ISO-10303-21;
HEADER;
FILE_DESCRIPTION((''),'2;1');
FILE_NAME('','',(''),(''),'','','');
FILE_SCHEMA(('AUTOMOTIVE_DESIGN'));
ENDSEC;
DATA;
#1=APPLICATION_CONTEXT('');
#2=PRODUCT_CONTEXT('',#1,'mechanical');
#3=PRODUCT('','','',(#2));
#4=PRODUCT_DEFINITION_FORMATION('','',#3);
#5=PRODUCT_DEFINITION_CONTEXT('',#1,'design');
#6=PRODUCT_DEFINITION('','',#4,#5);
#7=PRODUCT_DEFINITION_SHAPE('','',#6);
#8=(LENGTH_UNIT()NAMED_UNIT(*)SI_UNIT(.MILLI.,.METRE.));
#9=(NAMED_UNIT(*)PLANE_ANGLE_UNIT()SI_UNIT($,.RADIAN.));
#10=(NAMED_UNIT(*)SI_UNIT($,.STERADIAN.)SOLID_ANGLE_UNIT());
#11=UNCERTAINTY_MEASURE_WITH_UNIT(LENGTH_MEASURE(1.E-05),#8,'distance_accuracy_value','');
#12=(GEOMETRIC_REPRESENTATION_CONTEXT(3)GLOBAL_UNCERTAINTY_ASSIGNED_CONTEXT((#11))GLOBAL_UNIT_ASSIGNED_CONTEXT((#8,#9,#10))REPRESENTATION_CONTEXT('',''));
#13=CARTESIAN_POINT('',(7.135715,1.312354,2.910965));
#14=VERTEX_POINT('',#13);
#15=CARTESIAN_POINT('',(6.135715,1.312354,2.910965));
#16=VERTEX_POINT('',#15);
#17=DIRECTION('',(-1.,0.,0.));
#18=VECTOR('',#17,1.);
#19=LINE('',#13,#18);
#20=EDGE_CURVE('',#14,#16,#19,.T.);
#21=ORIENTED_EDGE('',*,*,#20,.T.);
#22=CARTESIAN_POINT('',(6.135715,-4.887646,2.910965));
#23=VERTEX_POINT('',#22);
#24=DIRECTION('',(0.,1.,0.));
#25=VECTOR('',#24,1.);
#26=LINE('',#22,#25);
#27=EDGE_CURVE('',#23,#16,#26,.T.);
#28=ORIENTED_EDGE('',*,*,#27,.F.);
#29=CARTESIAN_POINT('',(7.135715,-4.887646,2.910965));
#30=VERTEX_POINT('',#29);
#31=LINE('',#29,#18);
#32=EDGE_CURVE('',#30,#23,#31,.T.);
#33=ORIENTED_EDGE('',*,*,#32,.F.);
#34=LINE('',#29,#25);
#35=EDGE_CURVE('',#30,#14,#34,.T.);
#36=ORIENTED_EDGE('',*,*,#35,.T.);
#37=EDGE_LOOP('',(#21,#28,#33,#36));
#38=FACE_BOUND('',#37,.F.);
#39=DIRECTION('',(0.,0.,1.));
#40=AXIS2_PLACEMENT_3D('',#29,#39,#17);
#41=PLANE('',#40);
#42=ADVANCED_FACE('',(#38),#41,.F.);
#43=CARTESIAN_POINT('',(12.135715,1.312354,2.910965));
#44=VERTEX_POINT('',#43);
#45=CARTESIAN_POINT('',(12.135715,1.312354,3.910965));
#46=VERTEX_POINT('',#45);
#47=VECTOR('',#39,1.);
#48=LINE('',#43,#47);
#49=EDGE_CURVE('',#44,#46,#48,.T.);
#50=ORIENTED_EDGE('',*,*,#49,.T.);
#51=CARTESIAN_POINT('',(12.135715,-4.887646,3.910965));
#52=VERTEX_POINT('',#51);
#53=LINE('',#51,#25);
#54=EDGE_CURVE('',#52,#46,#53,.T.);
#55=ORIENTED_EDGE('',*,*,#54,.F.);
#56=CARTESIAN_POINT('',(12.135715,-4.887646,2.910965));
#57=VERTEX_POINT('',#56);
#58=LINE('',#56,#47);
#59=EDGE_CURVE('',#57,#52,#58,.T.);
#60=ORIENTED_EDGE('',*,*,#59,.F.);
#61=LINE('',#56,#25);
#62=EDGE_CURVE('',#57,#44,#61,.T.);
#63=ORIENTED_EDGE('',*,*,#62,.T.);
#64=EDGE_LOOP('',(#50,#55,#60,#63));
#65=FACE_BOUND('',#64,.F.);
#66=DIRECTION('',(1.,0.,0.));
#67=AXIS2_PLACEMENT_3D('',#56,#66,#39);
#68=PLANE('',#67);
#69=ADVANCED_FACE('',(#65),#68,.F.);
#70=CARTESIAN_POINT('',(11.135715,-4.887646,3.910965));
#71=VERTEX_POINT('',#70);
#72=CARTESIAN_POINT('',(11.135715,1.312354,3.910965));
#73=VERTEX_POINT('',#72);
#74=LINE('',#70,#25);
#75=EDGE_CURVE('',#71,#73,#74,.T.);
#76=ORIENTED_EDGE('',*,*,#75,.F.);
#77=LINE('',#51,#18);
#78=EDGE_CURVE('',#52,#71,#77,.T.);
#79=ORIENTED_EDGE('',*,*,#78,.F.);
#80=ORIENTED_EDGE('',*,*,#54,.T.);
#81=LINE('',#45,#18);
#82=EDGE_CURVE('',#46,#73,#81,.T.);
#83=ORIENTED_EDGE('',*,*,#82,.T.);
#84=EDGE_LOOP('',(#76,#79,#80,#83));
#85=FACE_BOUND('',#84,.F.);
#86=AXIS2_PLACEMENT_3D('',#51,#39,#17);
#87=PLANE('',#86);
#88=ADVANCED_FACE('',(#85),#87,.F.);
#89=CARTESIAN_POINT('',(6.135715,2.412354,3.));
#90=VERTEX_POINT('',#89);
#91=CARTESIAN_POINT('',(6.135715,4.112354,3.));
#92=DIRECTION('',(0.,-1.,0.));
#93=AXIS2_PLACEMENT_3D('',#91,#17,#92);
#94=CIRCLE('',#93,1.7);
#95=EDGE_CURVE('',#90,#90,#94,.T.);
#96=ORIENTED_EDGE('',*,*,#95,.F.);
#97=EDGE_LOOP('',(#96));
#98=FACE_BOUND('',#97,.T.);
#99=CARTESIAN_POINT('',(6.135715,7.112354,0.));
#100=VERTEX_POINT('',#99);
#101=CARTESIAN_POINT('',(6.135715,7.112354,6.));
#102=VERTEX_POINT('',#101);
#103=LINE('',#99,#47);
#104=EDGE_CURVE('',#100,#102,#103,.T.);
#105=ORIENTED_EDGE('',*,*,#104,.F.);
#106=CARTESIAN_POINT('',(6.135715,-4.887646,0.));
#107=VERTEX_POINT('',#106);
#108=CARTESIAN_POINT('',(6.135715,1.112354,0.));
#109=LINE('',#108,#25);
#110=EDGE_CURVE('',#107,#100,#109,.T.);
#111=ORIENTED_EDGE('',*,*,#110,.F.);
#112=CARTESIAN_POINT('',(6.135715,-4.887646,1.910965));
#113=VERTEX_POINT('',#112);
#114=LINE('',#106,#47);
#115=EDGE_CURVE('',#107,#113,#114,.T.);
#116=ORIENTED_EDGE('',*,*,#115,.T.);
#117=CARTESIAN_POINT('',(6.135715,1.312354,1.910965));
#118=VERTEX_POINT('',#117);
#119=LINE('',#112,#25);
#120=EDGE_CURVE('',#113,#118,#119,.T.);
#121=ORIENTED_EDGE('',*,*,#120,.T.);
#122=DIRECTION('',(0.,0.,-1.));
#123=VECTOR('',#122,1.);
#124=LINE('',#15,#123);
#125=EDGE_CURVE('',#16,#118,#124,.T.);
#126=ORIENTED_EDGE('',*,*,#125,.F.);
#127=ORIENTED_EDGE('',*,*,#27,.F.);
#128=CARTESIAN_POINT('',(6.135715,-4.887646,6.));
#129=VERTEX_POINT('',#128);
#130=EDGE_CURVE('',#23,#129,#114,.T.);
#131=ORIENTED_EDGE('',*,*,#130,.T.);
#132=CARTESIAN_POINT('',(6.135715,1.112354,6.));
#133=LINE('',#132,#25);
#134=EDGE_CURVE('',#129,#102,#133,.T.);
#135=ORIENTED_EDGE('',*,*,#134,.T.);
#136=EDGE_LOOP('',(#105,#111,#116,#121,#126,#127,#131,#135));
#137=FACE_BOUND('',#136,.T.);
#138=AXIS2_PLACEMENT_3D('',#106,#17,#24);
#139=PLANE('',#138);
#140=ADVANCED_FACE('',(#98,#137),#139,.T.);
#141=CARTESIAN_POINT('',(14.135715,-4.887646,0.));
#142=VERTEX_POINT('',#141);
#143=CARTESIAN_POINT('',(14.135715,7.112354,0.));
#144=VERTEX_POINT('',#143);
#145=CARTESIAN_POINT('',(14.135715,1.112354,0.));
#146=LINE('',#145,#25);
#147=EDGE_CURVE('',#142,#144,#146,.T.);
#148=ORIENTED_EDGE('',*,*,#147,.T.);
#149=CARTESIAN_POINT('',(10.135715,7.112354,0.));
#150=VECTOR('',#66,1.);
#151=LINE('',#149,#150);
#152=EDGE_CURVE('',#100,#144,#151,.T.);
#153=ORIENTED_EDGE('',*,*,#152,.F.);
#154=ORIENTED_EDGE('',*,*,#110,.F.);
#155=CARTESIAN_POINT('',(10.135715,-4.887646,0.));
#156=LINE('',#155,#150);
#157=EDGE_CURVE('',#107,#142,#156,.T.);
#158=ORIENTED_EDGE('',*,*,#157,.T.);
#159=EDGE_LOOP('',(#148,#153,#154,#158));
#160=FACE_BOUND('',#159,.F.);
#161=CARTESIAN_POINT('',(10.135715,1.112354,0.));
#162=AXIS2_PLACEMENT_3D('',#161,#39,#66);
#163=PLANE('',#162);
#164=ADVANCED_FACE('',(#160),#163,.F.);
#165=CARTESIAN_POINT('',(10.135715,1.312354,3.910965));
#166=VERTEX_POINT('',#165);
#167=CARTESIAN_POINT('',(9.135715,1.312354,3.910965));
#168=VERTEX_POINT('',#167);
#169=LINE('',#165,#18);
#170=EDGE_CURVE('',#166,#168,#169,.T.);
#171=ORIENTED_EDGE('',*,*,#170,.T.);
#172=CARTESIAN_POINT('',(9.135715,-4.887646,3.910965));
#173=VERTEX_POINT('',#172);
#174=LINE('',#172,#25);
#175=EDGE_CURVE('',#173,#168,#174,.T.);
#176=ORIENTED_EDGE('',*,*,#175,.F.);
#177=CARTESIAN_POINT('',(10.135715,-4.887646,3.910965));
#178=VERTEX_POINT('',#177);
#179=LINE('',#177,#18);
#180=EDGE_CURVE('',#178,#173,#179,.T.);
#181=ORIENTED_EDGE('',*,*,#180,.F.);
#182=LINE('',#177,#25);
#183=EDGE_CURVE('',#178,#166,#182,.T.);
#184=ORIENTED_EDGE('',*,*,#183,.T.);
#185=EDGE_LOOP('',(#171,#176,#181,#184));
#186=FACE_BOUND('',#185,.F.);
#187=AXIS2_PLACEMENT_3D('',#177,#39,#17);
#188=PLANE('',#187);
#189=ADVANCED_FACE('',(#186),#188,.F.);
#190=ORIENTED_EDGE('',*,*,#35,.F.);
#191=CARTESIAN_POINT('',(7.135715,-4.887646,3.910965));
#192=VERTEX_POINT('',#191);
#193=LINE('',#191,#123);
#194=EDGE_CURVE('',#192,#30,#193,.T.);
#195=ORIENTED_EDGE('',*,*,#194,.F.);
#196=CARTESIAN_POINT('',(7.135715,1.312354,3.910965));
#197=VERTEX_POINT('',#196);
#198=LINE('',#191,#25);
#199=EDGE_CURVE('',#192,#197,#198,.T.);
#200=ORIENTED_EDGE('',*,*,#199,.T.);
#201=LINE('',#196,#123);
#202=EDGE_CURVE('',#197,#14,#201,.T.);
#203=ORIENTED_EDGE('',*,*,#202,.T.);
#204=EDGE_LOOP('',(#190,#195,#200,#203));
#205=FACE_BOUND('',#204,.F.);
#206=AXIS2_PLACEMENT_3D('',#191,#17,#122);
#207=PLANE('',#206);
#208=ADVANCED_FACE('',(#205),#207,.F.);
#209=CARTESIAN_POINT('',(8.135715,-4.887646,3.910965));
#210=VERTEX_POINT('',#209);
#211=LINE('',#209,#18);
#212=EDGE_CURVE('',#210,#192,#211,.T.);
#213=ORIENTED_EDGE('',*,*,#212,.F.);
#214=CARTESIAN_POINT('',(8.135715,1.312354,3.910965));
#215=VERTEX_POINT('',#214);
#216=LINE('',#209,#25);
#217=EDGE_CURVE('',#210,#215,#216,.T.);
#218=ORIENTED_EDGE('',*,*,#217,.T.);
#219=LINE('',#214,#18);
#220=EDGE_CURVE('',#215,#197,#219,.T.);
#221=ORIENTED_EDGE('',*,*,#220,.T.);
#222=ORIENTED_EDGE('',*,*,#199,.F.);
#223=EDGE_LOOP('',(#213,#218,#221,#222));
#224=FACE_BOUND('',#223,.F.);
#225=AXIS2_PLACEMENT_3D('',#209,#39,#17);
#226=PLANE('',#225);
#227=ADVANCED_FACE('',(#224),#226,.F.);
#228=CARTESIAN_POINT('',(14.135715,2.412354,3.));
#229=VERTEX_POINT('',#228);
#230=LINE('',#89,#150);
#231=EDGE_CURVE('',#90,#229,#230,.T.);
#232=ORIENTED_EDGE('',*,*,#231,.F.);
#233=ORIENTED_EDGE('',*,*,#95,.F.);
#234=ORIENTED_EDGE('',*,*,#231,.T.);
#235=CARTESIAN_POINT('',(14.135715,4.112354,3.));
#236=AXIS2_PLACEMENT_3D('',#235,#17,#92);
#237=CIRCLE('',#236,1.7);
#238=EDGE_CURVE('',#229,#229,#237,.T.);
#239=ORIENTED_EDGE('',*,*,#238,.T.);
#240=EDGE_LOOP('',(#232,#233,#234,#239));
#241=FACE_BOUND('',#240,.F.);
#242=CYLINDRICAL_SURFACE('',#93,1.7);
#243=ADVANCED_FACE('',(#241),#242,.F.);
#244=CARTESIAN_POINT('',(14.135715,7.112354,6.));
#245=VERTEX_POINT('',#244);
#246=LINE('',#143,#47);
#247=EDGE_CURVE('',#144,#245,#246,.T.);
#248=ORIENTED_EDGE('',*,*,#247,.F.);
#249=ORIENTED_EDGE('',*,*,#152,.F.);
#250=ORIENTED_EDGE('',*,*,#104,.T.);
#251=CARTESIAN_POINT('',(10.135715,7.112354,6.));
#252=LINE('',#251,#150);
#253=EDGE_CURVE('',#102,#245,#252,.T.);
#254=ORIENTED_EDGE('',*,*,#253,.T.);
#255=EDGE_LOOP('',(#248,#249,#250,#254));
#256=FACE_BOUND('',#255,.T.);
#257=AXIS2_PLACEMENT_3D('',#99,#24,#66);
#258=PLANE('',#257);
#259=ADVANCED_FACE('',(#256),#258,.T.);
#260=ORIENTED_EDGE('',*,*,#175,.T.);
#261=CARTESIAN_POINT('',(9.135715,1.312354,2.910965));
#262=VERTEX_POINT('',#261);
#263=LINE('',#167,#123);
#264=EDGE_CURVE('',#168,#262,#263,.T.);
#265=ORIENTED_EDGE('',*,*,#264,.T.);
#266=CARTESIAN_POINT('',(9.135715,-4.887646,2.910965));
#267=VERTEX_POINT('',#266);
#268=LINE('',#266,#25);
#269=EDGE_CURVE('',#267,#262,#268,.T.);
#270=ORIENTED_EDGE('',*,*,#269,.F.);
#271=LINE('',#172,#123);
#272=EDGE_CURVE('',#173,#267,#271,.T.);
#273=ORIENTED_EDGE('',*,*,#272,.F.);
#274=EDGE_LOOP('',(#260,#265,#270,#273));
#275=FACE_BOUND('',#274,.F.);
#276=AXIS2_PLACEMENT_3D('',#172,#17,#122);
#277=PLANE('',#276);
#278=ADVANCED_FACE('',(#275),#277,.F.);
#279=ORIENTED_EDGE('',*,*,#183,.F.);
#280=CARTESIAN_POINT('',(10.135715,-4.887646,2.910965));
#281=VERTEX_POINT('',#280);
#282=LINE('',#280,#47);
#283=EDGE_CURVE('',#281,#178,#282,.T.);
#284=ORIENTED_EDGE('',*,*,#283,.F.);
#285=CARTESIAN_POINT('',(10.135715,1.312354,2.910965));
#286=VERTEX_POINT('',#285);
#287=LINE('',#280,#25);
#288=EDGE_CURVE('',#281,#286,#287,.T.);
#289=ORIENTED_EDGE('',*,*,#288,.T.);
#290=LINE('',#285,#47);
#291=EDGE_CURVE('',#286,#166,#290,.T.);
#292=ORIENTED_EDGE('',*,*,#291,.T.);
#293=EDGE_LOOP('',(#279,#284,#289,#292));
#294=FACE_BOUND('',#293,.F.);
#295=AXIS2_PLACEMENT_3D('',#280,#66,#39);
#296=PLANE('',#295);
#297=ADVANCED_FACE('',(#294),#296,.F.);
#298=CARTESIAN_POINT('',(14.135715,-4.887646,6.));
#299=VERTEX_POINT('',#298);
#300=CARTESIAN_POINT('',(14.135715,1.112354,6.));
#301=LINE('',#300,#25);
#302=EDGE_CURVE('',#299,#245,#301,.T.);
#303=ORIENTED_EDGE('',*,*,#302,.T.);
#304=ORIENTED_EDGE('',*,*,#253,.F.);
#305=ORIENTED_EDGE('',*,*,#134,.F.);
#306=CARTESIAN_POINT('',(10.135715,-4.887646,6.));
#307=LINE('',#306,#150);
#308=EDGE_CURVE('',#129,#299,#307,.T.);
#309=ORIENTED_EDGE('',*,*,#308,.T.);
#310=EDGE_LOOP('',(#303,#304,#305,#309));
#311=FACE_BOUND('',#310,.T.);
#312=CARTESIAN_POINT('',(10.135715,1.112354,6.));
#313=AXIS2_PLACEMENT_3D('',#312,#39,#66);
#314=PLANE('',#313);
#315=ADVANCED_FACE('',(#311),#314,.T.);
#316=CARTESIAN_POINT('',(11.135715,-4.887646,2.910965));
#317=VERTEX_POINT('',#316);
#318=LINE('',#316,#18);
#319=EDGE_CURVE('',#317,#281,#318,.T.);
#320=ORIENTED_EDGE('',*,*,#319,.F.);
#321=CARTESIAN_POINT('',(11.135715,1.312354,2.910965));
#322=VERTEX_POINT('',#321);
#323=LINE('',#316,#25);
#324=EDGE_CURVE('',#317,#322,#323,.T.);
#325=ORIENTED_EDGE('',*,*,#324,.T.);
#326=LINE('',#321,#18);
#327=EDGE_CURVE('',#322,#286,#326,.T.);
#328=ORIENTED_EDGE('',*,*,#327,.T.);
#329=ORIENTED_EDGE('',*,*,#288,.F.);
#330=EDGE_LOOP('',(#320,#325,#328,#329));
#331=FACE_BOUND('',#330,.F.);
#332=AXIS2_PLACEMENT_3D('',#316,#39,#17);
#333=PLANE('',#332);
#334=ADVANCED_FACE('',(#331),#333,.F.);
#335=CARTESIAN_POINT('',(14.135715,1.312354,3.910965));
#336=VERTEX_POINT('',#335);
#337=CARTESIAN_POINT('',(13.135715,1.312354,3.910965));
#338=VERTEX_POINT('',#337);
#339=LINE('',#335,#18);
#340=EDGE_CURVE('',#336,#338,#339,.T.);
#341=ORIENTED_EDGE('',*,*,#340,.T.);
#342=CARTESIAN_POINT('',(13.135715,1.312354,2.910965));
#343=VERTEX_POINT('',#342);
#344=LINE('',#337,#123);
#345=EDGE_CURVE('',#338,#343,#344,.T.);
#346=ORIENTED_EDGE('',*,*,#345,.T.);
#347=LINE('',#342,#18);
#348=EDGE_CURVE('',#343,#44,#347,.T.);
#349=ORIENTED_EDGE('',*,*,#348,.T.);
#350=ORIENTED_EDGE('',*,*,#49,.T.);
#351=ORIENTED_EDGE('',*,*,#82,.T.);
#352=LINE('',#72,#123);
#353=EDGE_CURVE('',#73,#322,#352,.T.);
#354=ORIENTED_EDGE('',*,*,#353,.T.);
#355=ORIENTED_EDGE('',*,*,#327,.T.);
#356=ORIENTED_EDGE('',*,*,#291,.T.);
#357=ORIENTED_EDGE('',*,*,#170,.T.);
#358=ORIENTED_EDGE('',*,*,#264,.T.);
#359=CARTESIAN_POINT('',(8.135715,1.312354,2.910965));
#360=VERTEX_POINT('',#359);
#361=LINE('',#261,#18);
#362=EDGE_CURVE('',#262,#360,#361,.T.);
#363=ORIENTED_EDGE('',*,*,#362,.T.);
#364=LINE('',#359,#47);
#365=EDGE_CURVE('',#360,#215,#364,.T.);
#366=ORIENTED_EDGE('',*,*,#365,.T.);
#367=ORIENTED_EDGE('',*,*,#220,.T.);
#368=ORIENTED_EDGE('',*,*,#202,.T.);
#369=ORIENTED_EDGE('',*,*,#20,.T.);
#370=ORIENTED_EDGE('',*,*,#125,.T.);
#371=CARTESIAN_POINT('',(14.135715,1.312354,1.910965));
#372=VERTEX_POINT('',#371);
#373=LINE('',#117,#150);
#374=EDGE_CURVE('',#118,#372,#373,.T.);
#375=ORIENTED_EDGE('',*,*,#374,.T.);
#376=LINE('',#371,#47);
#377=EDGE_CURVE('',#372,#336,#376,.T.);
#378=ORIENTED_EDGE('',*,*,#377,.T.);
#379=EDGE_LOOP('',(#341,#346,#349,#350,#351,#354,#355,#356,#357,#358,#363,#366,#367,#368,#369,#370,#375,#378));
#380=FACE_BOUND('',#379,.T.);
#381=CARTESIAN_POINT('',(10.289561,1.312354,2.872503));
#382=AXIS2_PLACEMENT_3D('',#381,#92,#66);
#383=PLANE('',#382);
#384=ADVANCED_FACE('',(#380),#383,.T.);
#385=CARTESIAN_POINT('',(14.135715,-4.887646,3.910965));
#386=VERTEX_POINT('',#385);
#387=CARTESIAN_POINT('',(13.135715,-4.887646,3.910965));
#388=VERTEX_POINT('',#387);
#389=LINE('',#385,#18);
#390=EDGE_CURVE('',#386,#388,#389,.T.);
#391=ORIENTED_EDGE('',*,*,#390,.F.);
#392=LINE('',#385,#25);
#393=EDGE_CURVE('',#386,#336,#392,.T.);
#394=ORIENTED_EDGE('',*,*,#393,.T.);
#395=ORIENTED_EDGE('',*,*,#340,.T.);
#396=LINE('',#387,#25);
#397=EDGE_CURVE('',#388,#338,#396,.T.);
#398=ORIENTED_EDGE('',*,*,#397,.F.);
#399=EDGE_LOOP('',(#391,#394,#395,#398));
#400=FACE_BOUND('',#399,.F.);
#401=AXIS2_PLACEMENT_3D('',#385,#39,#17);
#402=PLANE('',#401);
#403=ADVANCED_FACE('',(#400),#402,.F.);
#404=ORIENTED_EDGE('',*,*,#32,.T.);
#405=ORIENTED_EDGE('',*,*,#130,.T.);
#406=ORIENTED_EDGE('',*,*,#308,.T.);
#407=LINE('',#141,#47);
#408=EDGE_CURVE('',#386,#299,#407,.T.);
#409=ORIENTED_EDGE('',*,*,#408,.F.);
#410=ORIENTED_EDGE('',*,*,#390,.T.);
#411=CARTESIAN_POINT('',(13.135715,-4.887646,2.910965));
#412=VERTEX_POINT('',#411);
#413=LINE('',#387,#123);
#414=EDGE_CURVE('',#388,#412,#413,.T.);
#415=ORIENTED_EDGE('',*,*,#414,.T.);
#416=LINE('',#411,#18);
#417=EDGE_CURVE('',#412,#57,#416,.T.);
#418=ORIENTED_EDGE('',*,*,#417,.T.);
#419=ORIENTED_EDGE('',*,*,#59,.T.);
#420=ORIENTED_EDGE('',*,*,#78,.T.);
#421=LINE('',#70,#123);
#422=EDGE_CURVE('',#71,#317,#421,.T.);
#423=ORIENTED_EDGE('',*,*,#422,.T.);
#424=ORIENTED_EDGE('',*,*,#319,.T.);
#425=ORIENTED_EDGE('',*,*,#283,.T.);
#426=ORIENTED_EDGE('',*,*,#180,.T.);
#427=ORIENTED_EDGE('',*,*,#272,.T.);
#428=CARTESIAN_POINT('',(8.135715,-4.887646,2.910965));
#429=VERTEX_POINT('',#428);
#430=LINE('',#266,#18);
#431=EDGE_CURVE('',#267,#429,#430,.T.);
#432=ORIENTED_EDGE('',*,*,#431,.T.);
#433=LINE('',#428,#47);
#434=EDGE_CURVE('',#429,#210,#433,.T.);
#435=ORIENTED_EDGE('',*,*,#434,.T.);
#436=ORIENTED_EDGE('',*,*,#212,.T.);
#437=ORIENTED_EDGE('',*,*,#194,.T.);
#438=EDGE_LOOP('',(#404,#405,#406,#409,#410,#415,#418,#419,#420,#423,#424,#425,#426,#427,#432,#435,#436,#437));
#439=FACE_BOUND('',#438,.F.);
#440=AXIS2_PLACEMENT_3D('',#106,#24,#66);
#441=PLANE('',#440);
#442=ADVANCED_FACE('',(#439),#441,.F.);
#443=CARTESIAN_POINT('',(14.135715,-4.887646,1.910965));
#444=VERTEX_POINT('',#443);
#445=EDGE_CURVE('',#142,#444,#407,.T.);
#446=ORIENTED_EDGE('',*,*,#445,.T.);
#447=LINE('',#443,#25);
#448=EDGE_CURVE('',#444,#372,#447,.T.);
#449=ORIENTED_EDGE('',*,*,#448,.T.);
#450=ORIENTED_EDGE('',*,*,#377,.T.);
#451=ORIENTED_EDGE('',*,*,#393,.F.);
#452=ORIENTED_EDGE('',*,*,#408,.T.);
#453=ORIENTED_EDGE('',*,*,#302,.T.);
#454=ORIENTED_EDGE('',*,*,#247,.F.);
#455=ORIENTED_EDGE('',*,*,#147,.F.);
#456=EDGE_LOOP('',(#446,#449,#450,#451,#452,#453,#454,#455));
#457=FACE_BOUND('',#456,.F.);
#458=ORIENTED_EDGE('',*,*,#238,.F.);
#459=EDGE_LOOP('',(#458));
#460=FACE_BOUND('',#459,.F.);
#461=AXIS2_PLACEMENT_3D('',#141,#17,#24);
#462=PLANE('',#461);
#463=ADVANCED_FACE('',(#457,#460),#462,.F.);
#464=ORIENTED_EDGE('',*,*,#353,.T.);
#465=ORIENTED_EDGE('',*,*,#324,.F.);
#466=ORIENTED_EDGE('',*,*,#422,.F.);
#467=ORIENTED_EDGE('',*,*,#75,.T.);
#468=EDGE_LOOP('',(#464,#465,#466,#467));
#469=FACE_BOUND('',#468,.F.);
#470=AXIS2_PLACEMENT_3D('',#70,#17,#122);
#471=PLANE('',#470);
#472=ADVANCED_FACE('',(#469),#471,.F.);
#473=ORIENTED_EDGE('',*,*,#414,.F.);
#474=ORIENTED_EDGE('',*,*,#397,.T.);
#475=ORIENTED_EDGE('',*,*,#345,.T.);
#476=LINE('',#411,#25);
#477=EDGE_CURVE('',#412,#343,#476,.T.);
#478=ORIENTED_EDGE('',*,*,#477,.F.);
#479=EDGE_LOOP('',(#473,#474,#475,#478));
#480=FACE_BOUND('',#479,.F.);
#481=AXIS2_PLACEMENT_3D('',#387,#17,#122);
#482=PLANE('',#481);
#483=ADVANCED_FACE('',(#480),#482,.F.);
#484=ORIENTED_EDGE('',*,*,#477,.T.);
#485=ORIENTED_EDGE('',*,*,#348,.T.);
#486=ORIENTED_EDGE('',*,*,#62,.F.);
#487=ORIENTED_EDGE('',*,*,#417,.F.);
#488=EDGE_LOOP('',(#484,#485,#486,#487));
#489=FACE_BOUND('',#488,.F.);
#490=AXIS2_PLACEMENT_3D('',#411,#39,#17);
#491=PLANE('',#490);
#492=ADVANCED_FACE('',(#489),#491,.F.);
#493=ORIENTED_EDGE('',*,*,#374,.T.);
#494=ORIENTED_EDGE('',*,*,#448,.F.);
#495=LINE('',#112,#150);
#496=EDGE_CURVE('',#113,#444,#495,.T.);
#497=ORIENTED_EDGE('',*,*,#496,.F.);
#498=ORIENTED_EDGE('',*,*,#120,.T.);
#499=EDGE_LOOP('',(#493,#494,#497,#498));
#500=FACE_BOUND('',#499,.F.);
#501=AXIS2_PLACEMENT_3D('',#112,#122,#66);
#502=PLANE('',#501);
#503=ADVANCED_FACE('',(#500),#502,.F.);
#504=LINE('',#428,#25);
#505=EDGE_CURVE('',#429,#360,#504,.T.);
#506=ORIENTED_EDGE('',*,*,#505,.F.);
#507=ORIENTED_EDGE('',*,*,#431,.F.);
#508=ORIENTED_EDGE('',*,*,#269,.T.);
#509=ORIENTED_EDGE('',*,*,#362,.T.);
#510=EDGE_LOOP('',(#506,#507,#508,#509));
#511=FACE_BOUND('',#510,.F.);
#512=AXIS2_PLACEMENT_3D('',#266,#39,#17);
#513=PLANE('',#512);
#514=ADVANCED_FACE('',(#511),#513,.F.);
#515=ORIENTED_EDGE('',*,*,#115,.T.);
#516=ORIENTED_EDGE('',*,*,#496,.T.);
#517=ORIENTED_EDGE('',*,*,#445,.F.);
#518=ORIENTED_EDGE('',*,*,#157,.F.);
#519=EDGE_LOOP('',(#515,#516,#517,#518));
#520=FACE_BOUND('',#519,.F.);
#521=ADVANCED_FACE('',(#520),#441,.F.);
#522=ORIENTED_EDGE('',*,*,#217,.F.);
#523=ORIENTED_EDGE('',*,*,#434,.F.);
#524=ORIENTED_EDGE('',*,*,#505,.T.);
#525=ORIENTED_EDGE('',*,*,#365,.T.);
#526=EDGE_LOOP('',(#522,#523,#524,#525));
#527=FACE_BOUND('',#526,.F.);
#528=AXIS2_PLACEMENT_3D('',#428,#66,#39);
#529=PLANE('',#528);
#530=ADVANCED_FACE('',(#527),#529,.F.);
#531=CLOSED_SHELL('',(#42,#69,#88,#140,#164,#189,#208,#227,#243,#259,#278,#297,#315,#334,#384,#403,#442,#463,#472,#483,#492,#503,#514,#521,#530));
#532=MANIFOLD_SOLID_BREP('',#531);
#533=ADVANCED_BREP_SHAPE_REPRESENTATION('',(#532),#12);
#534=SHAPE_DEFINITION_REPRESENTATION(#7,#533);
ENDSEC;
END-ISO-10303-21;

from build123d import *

# Parameters (mm, degrees)
F0_W     = 8
F0_H     = 12
F1_DEPTH = 6
F3_DEPTH = 6.2
F4_R     = 1.7
F5_DEPTH = 25


with BuildPart() as f1:
    # F0 (on Top) → F1 (new body)
    with BuildSketch(Plane.XY):
        with Locations((10.135715, 1.112354)):
            Rectangle(F0_W, F0_H)
    extrude(amount=F1_DEPTH)

    # F2 (on face) → F3 (cut)
    with BuildSketch(Plane.XZ.offset(4.887646)):
        Polygon((6.135715, 2.910965), (6.135715, 1.910965), (14.135715, 1.910965), (14.135715, 2.910965), (14.135715, 3.910965), (13.135715, 3.910965), (13.135715, 2.910965), (12.135715, 2.910965), (12.135715, 3.910965), (11.135715, 3.910965), (11.135715, 2.910965), (10.135715, 2.910965), (10.135715, 3.910965), (9.135715, 3.910965), (9.135715, 2.910965), (8.135715, 2.910965), (8.135715, 3.910965), (7.135715, 3.910965), (7.135715, 2.910965), align=None)
    extrude(amount=-F3_DEPTH, mode=Mode.SUBTRACT)

    # F4 (on face) → F5 (cut)
    with BuildSketch(Plane(origin=(6.135715, 0, 0), x_dir=(0, -1, 0), z_dir=(-1, 0, 0))):
        with Locations((-4.112354, 3)):
            Circle(F4_R)
    extrude(amount=-F5_DEPTH, mode=Mode.SUBTRACT)


solid = f1.part
